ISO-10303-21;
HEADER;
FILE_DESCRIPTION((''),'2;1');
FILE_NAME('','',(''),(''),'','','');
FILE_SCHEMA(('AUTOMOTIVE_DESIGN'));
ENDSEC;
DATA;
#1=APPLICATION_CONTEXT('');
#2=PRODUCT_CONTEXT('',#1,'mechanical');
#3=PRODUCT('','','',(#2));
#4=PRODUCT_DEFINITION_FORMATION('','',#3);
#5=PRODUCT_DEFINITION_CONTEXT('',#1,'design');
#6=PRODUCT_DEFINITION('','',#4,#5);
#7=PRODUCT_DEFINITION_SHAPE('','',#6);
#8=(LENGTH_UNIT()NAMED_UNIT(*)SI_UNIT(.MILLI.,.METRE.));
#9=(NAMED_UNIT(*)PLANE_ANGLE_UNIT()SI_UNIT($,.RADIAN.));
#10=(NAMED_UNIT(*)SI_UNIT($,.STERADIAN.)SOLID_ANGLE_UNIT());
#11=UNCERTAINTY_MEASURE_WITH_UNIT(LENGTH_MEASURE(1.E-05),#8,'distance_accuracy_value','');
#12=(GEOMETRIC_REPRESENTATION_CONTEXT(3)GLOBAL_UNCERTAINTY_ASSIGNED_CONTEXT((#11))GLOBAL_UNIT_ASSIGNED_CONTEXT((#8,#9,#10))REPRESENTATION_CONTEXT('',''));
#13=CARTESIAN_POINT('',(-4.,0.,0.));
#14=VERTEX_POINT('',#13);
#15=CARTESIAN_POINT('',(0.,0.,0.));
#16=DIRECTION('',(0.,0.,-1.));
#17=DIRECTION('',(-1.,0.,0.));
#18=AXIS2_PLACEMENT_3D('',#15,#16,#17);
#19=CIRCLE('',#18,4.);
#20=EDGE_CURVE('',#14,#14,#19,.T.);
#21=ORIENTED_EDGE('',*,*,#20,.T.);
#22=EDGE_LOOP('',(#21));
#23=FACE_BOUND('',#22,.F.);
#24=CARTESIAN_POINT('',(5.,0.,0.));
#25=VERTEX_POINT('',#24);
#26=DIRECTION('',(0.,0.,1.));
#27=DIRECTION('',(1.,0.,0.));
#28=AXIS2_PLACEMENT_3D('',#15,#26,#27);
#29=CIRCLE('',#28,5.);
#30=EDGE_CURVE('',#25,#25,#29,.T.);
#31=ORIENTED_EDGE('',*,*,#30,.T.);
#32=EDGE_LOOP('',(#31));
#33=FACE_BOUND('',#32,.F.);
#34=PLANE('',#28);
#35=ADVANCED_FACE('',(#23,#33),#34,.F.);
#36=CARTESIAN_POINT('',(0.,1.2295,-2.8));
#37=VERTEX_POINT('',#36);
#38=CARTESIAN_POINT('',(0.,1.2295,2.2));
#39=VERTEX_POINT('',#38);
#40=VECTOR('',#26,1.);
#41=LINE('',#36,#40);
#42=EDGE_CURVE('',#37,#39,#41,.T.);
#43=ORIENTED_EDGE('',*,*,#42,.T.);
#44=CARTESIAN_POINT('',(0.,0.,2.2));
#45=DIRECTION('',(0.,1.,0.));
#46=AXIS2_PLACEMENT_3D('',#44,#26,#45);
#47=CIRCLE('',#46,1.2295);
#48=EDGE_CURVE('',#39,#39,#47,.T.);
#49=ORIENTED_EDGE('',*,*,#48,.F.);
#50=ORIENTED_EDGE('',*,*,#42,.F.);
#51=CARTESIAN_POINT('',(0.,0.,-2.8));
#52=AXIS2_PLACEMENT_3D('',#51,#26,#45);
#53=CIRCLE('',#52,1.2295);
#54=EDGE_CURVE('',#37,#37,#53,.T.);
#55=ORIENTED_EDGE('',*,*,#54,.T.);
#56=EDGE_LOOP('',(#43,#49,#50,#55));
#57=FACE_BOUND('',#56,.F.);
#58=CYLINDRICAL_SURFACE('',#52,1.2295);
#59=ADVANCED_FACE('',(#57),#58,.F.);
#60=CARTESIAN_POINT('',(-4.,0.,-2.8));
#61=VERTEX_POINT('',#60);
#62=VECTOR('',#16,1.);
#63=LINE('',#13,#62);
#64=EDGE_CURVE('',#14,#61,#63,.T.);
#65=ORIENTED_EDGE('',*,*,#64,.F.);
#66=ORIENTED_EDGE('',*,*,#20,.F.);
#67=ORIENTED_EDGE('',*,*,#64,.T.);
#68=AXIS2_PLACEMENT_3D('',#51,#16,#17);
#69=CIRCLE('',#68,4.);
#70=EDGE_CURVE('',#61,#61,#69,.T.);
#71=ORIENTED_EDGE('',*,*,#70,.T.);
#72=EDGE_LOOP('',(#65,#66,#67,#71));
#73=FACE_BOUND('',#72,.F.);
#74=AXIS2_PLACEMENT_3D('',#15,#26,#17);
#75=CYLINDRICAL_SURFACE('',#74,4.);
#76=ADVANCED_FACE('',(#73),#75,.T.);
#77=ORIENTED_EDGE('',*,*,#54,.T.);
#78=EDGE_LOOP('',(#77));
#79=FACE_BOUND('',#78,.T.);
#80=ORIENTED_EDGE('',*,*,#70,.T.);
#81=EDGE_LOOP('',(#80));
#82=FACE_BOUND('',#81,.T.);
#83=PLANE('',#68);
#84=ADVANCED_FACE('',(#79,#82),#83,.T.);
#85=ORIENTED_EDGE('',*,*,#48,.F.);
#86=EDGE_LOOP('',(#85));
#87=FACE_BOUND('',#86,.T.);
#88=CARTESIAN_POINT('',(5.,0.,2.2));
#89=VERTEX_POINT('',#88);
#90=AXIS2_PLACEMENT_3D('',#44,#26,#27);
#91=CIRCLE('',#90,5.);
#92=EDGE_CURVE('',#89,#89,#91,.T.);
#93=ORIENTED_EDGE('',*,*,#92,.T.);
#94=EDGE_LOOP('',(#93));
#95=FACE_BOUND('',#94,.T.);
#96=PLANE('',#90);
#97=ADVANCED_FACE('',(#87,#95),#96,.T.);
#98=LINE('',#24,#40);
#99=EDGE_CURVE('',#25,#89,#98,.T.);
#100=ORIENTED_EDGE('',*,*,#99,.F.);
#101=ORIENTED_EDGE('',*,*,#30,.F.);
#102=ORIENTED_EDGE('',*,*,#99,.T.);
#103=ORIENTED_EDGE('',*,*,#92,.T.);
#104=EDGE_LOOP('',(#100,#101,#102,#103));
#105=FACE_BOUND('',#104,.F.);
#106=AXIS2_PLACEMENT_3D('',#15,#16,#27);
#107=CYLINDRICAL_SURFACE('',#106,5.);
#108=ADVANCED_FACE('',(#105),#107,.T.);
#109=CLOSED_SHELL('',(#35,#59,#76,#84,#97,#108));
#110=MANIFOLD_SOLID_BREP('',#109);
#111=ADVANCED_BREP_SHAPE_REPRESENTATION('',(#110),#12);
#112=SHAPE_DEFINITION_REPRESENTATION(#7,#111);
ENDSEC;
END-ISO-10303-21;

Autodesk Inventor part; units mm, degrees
ref_plane "YZ Plane" through (0, 0, 0) normal (1, 0, 0) x (0, 1, 0)
ref_plane "XZ Plane" through (0, 0, 0) normal (0, 1, 0) x (-1, 0, 0)
ref_plane "XY Plane" through (0, 0, 0) normal (0, 0, 1) x (1, 0, 0)
sketch "スケッチ1" plane through (0, 0, 0) normal (0, 0, 1) x (1, 0, 0)
  circle A0 centre (0, 0) radius 5
  dimension "d0" = 10
extrude "押し出し1" add sketch "スケッチ1" along normal blind 2.2
sketch "スケッチ2" plane through (0, 0, 0) normal (0, 0, -1) x (-1, 0, 0)
  circle A0 centre (0, 0) radius 4
  dimension "d3" = 8
extrude "押し出し2" add sketch "スケッチ2" along normal blind 2.8
sketch "スケッチ3" plane through (0, 0, -2.8) normal (0, 0, -1) x (-1, 0, 0)
  point P0 (0, 0)
  point P1 (0, 0)
hole "穴1" at (0, 0, -2.8) direction (0, 0, 1) diameter 2.459 end through all thread size "M3x0.5" class "6H" standard "ISO Metric profile"
properties part number "link2part7" material "アルミニウム 6061"
